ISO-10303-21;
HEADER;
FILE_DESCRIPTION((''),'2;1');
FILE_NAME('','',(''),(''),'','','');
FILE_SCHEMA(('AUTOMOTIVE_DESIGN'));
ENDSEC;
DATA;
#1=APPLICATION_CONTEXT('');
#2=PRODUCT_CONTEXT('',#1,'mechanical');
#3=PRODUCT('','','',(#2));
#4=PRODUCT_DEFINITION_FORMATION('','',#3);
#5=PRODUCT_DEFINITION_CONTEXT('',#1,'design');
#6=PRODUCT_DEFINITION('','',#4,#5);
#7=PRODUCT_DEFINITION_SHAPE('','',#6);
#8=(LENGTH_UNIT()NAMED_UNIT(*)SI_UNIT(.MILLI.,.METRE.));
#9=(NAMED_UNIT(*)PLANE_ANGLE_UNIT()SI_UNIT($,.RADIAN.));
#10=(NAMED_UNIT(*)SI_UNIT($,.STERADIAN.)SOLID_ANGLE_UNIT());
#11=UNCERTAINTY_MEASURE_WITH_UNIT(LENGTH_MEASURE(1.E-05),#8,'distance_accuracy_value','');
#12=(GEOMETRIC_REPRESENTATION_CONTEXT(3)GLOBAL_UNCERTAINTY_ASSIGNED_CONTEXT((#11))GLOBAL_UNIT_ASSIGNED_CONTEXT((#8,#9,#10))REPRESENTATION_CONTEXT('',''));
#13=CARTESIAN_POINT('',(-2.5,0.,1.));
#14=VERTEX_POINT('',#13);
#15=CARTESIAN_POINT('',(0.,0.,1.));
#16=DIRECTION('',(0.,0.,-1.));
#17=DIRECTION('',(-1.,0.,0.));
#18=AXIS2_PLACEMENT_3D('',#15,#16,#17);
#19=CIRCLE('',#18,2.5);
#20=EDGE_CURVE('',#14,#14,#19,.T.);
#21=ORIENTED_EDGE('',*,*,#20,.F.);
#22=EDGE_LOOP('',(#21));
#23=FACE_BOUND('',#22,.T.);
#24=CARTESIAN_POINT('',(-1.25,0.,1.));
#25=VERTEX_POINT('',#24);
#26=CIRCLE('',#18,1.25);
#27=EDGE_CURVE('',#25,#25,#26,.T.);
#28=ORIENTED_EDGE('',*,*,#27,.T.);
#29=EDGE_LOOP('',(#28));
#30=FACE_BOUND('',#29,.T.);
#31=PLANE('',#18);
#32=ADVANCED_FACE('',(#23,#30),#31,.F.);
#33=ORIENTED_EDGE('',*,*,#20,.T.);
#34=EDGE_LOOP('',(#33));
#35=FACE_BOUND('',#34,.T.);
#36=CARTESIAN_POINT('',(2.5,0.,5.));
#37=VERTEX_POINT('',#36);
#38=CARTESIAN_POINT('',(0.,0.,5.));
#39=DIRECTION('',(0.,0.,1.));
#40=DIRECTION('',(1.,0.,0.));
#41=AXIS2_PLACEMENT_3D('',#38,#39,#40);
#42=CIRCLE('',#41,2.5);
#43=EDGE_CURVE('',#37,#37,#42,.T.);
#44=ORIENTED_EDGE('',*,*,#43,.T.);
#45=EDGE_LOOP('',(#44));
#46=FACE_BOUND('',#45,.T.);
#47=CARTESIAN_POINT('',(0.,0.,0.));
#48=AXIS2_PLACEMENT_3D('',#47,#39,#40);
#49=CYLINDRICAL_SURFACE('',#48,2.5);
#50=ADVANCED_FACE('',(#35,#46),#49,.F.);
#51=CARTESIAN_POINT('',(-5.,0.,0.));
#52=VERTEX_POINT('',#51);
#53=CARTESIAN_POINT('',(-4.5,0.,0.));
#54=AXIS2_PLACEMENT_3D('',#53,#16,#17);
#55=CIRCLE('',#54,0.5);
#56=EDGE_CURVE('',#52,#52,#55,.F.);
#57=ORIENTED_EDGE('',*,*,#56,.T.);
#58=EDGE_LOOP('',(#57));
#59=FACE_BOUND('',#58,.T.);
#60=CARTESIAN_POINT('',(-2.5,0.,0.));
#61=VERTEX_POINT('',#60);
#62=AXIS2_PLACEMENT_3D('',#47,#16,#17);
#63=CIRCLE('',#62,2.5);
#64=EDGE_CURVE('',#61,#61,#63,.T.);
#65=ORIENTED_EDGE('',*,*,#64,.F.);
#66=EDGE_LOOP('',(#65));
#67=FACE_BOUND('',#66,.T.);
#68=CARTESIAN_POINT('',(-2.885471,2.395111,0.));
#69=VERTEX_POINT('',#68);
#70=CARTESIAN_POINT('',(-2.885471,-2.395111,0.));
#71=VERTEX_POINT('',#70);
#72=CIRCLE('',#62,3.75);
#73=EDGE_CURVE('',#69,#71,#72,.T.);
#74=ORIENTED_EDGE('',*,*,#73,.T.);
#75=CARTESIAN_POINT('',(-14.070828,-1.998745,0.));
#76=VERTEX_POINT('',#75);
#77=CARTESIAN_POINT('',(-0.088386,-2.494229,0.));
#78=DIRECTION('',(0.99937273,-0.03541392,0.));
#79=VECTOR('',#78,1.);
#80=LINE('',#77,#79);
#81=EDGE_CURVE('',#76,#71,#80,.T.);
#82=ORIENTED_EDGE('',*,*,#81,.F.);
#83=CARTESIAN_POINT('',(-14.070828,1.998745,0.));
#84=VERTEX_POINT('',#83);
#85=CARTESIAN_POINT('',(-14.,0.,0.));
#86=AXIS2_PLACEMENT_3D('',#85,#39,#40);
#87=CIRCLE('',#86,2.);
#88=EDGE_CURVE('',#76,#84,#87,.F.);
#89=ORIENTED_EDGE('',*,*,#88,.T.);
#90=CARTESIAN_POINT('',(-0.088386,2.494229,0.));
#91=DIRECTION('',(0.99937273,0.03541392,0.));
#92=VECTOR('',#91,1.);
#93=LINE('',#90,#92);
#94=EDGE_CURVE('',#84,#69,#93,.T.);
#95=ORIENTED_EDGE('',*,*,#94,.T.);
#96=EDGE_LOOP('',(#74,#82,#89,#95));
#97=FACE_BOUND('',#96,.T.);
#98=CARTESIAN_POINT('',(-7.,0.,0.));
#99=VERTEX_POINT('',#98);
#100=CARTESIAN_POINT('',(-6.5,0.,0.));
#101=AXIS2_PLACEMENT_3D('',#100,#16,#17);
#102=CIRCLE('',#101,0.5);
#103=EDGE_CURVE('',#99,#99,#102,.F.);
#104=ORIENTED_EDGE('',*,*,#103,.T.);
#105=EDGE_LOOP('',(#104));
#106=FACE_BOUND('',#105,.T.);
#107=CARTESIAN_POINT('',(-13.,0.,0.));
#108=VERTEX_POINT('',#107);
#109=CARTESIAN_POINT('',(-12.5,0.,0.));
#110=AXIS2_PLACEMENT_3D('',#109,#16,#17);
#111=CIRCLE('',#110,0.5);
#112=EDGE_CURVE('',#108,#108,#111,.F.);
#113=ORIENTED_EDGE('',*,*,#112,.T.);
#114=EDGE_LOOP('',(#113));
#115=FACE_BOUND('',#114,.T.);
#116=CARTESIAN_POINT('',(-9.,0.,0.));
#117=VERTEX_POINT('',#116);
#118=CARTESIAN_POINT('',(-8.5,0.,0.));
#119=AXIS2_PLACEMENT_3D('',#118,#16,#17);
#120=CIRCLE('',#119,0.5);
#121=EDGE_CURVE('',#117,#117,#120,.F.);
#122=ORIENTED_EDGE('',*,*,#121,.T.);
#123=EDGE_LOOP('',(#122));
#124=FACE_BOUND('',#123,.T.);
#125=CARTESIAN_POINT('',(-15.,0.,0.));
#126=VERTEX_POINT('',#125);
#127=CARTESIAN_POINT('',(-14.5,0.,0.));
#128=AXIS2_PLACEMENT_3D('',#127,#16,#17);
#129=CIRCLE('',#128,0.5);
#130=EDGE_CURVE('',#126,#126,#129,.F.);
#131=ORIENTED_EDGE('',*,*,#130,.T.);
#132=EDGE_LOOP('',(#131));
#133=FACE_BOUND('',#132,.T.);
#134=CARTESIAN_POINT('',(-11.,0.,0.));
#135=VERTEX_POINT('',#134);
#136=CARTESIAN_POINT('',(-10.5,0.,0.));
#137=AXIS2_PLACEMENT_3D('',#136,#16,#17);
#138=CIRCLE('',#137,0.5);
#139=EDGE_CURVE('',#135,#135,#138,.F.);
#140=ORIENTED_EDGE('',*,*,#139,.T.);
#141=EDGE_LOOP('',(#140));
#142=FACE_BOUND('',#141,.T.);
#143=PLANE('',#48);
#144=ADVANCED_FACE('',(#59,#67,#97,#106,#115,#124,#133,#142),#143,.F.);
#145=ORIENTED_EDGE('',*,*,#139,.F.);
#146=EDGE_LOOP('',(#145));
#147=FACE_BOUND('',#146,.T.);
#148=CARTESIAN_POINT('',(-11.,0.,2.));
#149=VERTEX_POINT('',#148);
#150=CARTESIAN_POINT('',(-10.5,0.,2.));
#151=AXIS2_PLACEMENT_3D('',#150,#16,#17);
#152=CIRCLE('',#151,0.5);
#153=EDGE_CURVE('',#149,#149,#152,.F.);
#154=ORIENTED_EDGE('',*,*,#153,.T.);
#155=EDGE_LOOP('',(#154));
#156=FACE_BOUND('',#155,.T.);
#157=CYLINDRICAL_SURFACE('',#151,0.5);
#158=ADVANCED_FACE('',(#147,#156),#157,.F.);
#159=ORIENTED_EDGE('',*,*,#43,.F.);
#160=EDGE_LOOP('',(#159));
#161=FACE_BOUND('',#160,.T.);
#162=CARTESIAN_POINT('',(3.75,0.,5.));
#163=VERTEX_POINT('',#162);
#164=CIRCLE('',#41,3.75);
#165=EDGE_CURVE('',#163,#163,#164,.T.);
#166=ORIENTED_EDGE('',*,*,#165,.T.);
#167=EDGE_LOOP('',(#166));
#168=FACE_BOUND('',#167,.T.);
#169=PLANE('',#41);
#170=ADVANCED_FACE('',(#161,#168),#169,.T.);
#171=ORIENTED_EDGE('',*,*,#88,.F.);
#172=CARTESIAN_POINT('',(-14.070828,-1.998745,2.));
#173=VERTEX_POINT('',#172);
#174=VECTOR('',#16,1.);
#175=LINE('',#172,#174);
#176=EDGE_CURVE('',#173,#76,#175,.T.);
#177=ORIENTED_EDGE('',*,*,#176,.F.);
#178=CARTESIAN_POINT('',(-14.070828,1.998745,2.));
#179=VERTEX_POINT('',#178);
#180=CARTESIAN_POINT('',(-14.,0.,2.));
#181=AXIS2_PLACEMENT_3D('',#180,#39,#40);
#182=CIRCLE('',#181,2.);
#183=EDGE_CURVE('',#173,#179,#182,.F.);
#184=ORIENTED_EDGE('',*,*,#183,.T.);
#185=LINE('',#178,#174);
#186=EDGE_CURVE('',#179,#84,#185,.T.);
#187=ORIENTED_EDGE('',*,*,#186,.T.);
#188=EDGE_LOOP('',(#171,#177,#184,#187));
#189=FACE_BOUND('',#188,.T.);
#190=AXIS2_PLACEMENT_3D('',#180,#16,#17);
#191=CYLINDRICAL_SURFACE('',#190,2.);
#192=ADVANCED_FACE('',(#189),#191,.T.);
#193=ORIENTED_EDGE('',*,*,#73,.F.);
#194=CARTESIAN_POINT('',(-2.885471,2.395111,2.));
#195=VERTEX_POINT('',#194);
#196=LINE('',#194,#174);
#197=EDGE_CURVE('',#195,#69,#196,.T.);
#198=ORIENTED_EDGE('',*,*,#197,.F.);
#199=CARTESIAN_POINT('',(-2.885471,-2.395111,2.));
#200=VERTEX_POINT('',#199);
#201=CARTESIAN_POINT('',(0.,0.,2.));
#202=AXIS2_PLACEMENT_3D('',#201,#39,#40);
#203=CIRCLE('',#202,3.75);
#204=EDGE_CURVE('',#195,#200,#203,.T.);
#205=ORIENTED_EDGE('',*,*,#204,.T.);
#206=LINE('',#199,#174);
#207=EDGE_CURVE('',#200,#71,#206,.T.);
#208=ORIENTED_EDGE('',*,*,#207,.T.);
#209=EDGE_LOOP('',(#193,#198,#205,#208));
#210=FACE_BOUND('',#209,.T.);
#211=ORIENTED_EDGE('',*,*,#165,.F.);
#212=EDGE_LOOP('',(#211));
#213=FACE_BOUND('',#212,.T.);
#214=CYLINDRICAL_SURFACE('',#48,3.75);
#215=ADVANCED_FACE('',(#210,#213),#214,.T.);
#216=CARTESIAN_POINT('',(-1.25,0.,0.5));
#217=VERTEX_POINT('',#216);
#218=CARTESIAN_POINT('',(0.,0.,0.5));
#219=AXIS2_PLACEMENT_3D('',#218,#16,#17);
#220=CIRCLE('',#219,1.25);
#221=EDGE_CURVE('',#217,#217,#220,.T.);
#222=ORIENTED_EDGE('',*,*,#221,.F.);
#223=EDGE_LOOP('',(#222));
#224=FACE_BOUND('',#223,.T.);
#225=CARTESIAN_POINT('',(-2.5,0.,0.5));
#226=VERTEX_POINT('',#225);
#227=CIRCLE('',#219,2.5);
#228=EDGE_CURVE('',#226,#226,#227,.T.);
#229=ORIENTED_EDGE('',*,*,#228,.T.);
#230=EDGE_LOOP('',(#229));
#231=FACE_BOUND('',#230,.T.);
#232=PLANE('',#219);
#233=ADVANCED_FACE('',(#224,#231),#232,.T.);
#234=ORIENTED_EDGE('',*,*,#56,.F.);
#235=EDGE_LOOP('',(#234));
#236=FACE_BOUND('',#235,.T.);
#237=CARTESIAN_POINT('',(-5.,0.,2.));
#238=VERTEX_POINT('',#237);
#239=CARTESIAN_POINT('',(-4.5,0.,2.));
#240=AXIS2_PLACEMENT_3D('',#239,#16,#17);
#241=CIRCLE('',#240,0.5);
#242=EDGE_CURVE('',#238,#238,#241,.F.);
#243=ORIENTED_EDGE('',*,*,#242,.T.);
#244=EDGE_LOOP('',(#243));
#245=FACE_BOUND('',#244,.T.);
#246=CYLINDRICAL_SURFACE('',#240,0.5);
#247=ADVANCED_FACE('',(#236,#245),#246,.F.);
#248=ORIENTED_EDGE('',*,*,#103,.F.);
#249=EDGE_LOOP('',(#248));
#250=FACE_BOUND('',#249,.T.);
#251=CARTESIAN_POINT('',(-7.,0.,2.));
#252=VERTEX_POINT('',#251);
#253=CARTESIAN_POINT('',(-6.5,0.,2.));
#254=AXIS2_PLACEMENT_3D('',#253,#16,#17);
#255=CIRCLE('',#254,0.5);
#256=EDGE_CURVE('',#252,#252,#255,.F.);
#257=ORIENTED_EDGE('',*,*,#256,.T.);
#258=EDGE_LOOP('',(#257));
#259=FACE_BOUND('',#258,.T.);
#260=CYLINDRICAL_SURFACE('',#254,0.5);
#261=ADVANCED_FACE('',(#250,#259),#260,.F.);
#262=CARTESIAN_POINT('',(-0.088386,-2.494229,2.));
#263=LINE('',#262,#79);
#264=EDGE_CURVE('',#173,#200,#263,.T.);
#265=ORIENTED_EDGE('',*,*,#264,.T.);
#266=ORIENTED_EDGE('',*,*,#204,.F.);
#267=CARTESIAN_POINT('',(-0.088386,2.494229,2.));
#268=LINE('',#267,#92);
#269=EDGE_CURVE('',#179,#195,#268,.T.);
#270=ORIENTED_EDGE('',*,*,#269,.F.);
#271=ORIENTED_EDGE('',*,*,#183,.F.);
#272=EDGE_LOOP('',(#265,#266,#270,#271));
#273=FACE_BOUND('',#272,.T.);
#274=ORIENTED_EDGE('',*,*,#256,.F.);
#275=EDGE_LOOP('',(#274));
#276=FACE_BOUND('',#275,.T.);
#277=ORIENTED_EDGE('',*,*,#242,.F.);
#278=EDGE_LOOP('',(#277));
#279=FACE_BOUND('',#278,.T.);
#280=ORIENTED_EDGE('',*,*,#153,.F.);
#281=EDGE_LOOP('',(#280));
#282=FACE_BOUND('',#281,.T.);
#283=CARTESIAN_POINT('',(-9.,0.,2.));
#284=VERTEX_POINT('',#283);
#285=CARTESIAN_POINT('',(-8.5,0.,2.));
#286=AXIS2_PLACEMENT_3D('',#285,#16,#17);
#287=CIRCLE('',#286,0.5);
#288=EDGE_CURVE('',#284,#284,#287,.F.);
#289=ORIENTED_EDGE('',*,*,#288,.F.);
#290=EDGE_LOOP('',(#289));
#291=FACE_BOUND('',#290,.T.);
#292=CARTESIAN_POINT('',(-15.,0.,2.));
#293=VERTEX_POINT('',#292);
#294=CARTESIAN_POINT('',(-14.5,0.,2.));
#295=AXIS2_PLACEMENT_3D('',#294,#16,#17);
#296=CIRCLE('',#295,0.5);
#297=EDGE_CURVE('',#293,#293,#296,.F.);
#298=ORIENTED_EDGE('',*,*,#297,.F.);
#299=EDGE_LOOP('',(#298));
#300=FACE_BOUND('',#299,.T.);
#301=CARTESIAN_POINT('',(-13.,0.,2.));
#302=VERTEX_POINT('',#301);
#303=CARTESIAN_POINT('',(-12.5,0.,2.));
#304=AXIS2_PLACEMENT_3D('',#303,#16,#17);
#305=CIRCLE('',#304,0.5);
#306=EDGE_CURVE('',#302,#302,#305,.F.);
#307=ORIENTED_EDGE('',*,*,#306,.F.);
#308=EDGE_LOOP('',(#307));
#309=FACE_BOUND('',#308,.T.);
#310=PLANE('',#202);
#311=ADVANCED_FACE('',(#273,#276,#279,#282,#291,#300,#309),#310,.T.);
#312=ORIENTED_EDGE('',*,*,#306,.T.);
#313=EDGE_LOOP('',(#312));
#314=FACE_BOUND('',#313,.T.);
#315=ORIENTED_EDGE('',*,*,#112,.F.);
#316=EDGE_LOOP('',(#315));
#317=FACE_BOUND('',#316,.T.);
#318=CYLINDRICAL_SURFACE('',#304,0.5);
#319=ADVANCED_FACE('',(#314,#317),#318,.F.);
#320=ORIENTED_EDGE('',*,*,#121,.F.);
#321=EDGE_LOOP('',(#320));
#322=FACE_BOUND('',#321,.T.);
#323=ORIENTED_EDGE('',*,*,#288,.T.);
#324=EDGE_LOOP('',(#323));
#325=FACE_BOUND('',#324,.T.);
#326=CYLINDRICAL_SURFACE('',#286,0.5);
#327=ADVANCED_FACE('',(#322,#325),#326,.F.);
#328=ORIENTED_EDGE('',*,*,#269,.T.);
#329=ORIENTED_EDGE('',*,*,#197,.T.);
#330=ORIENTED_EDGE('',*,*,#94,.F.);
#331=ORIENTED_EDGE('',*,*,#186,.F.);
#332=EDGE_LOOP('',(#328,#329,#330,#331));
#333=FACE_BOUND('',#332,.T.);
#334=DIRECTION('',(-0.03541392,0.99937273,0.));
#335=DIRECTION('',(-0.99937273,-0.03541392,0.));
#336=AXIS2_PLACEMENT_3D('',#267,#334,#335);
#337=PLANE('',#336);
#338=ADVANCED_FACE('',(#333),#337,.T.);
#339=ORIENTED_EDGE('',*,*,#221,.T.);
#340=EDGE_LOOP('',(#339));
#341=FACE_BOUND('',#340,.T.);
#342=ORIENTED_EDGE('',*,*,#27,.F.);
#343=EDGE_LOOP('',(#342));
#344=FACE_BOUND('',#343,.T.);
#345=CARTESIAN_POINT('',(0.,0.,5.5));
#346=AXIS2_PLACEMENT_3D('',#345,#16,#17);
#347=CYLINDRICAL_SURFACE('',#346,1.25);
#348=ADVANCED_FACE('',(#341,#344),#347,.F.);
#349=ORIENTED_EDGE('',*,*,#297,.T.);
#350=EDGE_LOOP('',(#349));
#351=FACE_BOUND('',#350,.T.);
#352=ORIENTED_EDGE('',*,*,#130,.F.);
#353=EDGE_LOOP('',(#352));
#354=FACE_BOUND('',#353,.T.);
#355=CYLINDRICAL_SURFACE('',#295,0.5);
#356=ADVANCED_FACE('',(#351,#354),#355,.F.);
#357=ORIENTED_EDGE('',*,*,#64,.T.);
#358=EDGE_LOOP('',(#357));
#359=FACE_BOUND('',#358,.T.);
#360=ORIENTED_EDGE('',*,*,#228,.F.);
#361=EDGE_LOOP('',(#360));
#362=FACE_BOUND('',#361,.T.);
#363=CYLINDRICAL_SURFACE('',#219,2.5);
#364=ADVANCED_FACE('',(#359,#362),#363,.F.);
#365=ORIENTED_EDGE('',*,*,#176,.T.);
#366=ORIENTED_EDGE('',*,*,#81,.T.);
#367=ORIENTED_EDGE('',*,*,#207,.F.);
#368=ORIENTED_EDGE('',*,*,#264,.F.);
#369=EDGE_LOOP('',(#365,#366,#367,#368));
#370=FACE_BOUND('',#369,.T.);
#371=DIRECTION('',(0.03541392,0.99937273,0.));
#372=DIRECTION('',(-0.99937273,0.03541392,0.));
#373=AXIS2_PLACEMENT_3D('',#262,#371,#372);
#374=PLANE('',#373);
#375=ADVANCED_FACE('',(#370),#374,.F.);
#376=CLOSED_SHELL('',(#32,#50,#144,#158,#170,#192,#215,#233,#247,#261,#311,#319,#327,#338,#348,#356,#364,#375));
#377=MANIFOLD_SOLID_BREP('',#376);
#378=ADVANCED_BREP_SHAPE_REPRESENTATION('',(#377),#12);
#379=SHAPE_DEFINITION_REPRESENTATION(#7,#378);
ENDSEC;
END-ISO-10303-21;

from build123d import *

# Parameters (mm, degrees)
EXTRUDE_3_DEPTH     = 2
EXTRUDE_3_2_DEPTH   = 2
SKETCH_2_R          = 3.75
SKETCH_2_R_2        = 2.5
EXTRUDE_5_DEPTH     = 3
SKETCH_3_R          = 3.75
SKETCH_3_R_2        = 2.5
EXTRUDE_6_DEPTH     = 2
SKETCH_4_R          = 0.5
CUT_EXTRUDE_1_DEPTH = 2
SKETCH_5_R          = 2.5
EXTRUDE_7_DEPTH     = 1
SKETCH_6_R          = 2.5
CUT_EXTRUDE_2_DEPTH = 0.5
SKETCH_7_R          = 1.25
CUT_EXTRUDE_3_DEPTH = 5
CUT_EXTRUDE1_DEPTH  = 6


with BuildPart() as part:
    # Эскиз1 → Бобышка-Вытянуть3 (new body)
    with BuildSketch(Plane.XY):
        with BuildLine():
            ThreePointArc((-2.885471, -2.395111), (-3.527252, -1.273182), (-3.75, 0))
            ThreePointArc((-3.75, 0), (-3.527252, 1.273182), (-2.885471, 2.395111))
            Line((-2.885471, 2.395111), (-14.070828, 1.998745))
            ThreePointArc((-14.070828, 1.998745), (-16, 0), (-14.070828, -1.998745))
            Line((-14.070828, -1.998745), (-2.885471, -2.395111))
        make_face()
    extrude(amount=EXTRUDE_3_DEPTH)



with BuildPart() as body_2:
    # Эскиз1 → Extrude 3 2 (new body)
    with BuildSketch(Plane.XY):
        with BuildLine():
            Line((14.070828, 1.998745), (2.885471, 2.395111))
            ThreePointArc((2.885471, 2.395111), (3.75, 0), (2.885471, -2.395111))
            Line((2.885471, -2.395111), (14.070828, -1.998745))
            ThreePointArc((14.070828, -1.998745), (16, 0), (14.070828, 1.998745))
        make_face()
    extrude(amount=EXTRUDE_3_2_DEPTH)


with BuildPart() as body_3:
    # Эскиз2 → Бобышка-Вытянуть5 (new body)
    with BuildSketch(Plane.XY.offset(2)):
        Circle(SKETCH_2_R)
        Circle(SKETCH_2_R_2, mode=Mode.SUBTRACT)
    extrude(amount=EXTRUDE_5_DEPTH)


with BuildPart() as part_1:
    add(part.part)

    add(body_2.part)  # Бобышка-Вытянуть6 merges body 2

    add(body_3.part)  # Бобышка-Вытянуть6 merges body 3
    # Эскиз3 → Бобышка-Вытянуть6 (add)
    with BuildSketch(Plane(origin=(0, 0, 2), x_dir=(-1, 0, 0), z_dir=(0, 0, -1))):
        Circle(SKETCH_3_R)
        Circle(SKETCH_3_R_2, mode=Mode.SUBTRACT)
    extrude(amount=EXTRUDE_6_DEPTH)

    # Эскиз4 → Вырез-Вытянуть1 (cut)
    with BuildSketch(Plane(origin=(0, 0, 0), x_dir=(-1, 0, 0), z_dir=(0, 0, -1))):
        with Locations((-14.5, 0)):
            Circle(SKETCH_4_R)
        with Locations((-4.5, 0)):
            Circle(SKETCH_4_R)
        with Locations((-6.5, 0)):
            Circle(SKETCH_4_R)
        with Locations((-8.5, 0)):
            Circle(SKETCH_4_R)
        with Locations((-10.5, 0)):
            Circle(SKETCH_4_R)
        with Locations((-12.5, 0)):
            Circle(SKETCH_4_R)
        with Locations((4.5, 0)):
            Circle(SKETCH_4_R)
        with Locations((6.5, 0)):
            Circle(SKETCH_4_R)
        with Locations((8.5, 0)):
            Circle(SKETCH_4_R)
        with Locations((10.5, 0)):
            Circle(SKETCH_4_R)
        with Locations((12.5, 0)):
            Circle(SKETCH_4_R)
        with Locations((14.5, 0)):
            Circle(SKETCH_4_R)
    extrude(amount=-CUT_EXTRUDE_1_DEPTH, mode=Mode.SUBTRACT)

    # Эскиз5 → Бобышка-Вытянуть7 (add)
    with BuildSketch(Plane(origin=(0, 0, 0), x_dir=(-1, 0, 0), z_dir=(0, 0, -1))):
        Circle(SKETCH_5_R)
    extrude(amount=-EXTRUDE_7_DEPTH)

    # Эскиз6 → Вырез-Вытянуть2 (cut)
    with BuildSketch(Plane(origin=(0, 0, 0), x_dir=(-1, 0, 0), z_dir=(0, 0, -1))):
        Circle(SKETCH_6_R)
    extrude(amount=-CUT_EXTRUDE_2_DEPTH, mode=Mode.SUBTRACT)

    # Эскиз7 → Вырез-Вытянуть3 (cut)
    with BuildSketch(Plane(origin=(0, 0, 0.5), x_dir=(-1, 0, 0), z_dir=(0, 0, -1))):
        Circle(SKETCH_7_R)
    extrude(amount=-CUT_EXTRUDE_3_DEPTH, mode=Mode.SUBTRACT)

    # Sketch1 → Cut-Extrude1 (cut, through all)
    with BuildSketch(Plane.XY.offset(5)):
        with BuildLine():
            ThreePointArc((3.75, 0), (3.527252, -1.273182), (2.885471, -2.395111))
            Line((2.885471, -2.395111), (14.070828, -1.998745))
            ThreePointArc((14.070828, -1.998745), (16, 0), (14.070828, 1.998745))
            Line((14.070828, 1.998745), (2.885471, 2.395111))
            ThreePointArc((2.885471, 2.395111), (3.527252, 1.273182), (3.75, 0))
        make_face()
    extrude(amount=-CUT_EXTRUDE1_DEPTH, mode=Mode.SUBTRACT)


solid = part_1.part
